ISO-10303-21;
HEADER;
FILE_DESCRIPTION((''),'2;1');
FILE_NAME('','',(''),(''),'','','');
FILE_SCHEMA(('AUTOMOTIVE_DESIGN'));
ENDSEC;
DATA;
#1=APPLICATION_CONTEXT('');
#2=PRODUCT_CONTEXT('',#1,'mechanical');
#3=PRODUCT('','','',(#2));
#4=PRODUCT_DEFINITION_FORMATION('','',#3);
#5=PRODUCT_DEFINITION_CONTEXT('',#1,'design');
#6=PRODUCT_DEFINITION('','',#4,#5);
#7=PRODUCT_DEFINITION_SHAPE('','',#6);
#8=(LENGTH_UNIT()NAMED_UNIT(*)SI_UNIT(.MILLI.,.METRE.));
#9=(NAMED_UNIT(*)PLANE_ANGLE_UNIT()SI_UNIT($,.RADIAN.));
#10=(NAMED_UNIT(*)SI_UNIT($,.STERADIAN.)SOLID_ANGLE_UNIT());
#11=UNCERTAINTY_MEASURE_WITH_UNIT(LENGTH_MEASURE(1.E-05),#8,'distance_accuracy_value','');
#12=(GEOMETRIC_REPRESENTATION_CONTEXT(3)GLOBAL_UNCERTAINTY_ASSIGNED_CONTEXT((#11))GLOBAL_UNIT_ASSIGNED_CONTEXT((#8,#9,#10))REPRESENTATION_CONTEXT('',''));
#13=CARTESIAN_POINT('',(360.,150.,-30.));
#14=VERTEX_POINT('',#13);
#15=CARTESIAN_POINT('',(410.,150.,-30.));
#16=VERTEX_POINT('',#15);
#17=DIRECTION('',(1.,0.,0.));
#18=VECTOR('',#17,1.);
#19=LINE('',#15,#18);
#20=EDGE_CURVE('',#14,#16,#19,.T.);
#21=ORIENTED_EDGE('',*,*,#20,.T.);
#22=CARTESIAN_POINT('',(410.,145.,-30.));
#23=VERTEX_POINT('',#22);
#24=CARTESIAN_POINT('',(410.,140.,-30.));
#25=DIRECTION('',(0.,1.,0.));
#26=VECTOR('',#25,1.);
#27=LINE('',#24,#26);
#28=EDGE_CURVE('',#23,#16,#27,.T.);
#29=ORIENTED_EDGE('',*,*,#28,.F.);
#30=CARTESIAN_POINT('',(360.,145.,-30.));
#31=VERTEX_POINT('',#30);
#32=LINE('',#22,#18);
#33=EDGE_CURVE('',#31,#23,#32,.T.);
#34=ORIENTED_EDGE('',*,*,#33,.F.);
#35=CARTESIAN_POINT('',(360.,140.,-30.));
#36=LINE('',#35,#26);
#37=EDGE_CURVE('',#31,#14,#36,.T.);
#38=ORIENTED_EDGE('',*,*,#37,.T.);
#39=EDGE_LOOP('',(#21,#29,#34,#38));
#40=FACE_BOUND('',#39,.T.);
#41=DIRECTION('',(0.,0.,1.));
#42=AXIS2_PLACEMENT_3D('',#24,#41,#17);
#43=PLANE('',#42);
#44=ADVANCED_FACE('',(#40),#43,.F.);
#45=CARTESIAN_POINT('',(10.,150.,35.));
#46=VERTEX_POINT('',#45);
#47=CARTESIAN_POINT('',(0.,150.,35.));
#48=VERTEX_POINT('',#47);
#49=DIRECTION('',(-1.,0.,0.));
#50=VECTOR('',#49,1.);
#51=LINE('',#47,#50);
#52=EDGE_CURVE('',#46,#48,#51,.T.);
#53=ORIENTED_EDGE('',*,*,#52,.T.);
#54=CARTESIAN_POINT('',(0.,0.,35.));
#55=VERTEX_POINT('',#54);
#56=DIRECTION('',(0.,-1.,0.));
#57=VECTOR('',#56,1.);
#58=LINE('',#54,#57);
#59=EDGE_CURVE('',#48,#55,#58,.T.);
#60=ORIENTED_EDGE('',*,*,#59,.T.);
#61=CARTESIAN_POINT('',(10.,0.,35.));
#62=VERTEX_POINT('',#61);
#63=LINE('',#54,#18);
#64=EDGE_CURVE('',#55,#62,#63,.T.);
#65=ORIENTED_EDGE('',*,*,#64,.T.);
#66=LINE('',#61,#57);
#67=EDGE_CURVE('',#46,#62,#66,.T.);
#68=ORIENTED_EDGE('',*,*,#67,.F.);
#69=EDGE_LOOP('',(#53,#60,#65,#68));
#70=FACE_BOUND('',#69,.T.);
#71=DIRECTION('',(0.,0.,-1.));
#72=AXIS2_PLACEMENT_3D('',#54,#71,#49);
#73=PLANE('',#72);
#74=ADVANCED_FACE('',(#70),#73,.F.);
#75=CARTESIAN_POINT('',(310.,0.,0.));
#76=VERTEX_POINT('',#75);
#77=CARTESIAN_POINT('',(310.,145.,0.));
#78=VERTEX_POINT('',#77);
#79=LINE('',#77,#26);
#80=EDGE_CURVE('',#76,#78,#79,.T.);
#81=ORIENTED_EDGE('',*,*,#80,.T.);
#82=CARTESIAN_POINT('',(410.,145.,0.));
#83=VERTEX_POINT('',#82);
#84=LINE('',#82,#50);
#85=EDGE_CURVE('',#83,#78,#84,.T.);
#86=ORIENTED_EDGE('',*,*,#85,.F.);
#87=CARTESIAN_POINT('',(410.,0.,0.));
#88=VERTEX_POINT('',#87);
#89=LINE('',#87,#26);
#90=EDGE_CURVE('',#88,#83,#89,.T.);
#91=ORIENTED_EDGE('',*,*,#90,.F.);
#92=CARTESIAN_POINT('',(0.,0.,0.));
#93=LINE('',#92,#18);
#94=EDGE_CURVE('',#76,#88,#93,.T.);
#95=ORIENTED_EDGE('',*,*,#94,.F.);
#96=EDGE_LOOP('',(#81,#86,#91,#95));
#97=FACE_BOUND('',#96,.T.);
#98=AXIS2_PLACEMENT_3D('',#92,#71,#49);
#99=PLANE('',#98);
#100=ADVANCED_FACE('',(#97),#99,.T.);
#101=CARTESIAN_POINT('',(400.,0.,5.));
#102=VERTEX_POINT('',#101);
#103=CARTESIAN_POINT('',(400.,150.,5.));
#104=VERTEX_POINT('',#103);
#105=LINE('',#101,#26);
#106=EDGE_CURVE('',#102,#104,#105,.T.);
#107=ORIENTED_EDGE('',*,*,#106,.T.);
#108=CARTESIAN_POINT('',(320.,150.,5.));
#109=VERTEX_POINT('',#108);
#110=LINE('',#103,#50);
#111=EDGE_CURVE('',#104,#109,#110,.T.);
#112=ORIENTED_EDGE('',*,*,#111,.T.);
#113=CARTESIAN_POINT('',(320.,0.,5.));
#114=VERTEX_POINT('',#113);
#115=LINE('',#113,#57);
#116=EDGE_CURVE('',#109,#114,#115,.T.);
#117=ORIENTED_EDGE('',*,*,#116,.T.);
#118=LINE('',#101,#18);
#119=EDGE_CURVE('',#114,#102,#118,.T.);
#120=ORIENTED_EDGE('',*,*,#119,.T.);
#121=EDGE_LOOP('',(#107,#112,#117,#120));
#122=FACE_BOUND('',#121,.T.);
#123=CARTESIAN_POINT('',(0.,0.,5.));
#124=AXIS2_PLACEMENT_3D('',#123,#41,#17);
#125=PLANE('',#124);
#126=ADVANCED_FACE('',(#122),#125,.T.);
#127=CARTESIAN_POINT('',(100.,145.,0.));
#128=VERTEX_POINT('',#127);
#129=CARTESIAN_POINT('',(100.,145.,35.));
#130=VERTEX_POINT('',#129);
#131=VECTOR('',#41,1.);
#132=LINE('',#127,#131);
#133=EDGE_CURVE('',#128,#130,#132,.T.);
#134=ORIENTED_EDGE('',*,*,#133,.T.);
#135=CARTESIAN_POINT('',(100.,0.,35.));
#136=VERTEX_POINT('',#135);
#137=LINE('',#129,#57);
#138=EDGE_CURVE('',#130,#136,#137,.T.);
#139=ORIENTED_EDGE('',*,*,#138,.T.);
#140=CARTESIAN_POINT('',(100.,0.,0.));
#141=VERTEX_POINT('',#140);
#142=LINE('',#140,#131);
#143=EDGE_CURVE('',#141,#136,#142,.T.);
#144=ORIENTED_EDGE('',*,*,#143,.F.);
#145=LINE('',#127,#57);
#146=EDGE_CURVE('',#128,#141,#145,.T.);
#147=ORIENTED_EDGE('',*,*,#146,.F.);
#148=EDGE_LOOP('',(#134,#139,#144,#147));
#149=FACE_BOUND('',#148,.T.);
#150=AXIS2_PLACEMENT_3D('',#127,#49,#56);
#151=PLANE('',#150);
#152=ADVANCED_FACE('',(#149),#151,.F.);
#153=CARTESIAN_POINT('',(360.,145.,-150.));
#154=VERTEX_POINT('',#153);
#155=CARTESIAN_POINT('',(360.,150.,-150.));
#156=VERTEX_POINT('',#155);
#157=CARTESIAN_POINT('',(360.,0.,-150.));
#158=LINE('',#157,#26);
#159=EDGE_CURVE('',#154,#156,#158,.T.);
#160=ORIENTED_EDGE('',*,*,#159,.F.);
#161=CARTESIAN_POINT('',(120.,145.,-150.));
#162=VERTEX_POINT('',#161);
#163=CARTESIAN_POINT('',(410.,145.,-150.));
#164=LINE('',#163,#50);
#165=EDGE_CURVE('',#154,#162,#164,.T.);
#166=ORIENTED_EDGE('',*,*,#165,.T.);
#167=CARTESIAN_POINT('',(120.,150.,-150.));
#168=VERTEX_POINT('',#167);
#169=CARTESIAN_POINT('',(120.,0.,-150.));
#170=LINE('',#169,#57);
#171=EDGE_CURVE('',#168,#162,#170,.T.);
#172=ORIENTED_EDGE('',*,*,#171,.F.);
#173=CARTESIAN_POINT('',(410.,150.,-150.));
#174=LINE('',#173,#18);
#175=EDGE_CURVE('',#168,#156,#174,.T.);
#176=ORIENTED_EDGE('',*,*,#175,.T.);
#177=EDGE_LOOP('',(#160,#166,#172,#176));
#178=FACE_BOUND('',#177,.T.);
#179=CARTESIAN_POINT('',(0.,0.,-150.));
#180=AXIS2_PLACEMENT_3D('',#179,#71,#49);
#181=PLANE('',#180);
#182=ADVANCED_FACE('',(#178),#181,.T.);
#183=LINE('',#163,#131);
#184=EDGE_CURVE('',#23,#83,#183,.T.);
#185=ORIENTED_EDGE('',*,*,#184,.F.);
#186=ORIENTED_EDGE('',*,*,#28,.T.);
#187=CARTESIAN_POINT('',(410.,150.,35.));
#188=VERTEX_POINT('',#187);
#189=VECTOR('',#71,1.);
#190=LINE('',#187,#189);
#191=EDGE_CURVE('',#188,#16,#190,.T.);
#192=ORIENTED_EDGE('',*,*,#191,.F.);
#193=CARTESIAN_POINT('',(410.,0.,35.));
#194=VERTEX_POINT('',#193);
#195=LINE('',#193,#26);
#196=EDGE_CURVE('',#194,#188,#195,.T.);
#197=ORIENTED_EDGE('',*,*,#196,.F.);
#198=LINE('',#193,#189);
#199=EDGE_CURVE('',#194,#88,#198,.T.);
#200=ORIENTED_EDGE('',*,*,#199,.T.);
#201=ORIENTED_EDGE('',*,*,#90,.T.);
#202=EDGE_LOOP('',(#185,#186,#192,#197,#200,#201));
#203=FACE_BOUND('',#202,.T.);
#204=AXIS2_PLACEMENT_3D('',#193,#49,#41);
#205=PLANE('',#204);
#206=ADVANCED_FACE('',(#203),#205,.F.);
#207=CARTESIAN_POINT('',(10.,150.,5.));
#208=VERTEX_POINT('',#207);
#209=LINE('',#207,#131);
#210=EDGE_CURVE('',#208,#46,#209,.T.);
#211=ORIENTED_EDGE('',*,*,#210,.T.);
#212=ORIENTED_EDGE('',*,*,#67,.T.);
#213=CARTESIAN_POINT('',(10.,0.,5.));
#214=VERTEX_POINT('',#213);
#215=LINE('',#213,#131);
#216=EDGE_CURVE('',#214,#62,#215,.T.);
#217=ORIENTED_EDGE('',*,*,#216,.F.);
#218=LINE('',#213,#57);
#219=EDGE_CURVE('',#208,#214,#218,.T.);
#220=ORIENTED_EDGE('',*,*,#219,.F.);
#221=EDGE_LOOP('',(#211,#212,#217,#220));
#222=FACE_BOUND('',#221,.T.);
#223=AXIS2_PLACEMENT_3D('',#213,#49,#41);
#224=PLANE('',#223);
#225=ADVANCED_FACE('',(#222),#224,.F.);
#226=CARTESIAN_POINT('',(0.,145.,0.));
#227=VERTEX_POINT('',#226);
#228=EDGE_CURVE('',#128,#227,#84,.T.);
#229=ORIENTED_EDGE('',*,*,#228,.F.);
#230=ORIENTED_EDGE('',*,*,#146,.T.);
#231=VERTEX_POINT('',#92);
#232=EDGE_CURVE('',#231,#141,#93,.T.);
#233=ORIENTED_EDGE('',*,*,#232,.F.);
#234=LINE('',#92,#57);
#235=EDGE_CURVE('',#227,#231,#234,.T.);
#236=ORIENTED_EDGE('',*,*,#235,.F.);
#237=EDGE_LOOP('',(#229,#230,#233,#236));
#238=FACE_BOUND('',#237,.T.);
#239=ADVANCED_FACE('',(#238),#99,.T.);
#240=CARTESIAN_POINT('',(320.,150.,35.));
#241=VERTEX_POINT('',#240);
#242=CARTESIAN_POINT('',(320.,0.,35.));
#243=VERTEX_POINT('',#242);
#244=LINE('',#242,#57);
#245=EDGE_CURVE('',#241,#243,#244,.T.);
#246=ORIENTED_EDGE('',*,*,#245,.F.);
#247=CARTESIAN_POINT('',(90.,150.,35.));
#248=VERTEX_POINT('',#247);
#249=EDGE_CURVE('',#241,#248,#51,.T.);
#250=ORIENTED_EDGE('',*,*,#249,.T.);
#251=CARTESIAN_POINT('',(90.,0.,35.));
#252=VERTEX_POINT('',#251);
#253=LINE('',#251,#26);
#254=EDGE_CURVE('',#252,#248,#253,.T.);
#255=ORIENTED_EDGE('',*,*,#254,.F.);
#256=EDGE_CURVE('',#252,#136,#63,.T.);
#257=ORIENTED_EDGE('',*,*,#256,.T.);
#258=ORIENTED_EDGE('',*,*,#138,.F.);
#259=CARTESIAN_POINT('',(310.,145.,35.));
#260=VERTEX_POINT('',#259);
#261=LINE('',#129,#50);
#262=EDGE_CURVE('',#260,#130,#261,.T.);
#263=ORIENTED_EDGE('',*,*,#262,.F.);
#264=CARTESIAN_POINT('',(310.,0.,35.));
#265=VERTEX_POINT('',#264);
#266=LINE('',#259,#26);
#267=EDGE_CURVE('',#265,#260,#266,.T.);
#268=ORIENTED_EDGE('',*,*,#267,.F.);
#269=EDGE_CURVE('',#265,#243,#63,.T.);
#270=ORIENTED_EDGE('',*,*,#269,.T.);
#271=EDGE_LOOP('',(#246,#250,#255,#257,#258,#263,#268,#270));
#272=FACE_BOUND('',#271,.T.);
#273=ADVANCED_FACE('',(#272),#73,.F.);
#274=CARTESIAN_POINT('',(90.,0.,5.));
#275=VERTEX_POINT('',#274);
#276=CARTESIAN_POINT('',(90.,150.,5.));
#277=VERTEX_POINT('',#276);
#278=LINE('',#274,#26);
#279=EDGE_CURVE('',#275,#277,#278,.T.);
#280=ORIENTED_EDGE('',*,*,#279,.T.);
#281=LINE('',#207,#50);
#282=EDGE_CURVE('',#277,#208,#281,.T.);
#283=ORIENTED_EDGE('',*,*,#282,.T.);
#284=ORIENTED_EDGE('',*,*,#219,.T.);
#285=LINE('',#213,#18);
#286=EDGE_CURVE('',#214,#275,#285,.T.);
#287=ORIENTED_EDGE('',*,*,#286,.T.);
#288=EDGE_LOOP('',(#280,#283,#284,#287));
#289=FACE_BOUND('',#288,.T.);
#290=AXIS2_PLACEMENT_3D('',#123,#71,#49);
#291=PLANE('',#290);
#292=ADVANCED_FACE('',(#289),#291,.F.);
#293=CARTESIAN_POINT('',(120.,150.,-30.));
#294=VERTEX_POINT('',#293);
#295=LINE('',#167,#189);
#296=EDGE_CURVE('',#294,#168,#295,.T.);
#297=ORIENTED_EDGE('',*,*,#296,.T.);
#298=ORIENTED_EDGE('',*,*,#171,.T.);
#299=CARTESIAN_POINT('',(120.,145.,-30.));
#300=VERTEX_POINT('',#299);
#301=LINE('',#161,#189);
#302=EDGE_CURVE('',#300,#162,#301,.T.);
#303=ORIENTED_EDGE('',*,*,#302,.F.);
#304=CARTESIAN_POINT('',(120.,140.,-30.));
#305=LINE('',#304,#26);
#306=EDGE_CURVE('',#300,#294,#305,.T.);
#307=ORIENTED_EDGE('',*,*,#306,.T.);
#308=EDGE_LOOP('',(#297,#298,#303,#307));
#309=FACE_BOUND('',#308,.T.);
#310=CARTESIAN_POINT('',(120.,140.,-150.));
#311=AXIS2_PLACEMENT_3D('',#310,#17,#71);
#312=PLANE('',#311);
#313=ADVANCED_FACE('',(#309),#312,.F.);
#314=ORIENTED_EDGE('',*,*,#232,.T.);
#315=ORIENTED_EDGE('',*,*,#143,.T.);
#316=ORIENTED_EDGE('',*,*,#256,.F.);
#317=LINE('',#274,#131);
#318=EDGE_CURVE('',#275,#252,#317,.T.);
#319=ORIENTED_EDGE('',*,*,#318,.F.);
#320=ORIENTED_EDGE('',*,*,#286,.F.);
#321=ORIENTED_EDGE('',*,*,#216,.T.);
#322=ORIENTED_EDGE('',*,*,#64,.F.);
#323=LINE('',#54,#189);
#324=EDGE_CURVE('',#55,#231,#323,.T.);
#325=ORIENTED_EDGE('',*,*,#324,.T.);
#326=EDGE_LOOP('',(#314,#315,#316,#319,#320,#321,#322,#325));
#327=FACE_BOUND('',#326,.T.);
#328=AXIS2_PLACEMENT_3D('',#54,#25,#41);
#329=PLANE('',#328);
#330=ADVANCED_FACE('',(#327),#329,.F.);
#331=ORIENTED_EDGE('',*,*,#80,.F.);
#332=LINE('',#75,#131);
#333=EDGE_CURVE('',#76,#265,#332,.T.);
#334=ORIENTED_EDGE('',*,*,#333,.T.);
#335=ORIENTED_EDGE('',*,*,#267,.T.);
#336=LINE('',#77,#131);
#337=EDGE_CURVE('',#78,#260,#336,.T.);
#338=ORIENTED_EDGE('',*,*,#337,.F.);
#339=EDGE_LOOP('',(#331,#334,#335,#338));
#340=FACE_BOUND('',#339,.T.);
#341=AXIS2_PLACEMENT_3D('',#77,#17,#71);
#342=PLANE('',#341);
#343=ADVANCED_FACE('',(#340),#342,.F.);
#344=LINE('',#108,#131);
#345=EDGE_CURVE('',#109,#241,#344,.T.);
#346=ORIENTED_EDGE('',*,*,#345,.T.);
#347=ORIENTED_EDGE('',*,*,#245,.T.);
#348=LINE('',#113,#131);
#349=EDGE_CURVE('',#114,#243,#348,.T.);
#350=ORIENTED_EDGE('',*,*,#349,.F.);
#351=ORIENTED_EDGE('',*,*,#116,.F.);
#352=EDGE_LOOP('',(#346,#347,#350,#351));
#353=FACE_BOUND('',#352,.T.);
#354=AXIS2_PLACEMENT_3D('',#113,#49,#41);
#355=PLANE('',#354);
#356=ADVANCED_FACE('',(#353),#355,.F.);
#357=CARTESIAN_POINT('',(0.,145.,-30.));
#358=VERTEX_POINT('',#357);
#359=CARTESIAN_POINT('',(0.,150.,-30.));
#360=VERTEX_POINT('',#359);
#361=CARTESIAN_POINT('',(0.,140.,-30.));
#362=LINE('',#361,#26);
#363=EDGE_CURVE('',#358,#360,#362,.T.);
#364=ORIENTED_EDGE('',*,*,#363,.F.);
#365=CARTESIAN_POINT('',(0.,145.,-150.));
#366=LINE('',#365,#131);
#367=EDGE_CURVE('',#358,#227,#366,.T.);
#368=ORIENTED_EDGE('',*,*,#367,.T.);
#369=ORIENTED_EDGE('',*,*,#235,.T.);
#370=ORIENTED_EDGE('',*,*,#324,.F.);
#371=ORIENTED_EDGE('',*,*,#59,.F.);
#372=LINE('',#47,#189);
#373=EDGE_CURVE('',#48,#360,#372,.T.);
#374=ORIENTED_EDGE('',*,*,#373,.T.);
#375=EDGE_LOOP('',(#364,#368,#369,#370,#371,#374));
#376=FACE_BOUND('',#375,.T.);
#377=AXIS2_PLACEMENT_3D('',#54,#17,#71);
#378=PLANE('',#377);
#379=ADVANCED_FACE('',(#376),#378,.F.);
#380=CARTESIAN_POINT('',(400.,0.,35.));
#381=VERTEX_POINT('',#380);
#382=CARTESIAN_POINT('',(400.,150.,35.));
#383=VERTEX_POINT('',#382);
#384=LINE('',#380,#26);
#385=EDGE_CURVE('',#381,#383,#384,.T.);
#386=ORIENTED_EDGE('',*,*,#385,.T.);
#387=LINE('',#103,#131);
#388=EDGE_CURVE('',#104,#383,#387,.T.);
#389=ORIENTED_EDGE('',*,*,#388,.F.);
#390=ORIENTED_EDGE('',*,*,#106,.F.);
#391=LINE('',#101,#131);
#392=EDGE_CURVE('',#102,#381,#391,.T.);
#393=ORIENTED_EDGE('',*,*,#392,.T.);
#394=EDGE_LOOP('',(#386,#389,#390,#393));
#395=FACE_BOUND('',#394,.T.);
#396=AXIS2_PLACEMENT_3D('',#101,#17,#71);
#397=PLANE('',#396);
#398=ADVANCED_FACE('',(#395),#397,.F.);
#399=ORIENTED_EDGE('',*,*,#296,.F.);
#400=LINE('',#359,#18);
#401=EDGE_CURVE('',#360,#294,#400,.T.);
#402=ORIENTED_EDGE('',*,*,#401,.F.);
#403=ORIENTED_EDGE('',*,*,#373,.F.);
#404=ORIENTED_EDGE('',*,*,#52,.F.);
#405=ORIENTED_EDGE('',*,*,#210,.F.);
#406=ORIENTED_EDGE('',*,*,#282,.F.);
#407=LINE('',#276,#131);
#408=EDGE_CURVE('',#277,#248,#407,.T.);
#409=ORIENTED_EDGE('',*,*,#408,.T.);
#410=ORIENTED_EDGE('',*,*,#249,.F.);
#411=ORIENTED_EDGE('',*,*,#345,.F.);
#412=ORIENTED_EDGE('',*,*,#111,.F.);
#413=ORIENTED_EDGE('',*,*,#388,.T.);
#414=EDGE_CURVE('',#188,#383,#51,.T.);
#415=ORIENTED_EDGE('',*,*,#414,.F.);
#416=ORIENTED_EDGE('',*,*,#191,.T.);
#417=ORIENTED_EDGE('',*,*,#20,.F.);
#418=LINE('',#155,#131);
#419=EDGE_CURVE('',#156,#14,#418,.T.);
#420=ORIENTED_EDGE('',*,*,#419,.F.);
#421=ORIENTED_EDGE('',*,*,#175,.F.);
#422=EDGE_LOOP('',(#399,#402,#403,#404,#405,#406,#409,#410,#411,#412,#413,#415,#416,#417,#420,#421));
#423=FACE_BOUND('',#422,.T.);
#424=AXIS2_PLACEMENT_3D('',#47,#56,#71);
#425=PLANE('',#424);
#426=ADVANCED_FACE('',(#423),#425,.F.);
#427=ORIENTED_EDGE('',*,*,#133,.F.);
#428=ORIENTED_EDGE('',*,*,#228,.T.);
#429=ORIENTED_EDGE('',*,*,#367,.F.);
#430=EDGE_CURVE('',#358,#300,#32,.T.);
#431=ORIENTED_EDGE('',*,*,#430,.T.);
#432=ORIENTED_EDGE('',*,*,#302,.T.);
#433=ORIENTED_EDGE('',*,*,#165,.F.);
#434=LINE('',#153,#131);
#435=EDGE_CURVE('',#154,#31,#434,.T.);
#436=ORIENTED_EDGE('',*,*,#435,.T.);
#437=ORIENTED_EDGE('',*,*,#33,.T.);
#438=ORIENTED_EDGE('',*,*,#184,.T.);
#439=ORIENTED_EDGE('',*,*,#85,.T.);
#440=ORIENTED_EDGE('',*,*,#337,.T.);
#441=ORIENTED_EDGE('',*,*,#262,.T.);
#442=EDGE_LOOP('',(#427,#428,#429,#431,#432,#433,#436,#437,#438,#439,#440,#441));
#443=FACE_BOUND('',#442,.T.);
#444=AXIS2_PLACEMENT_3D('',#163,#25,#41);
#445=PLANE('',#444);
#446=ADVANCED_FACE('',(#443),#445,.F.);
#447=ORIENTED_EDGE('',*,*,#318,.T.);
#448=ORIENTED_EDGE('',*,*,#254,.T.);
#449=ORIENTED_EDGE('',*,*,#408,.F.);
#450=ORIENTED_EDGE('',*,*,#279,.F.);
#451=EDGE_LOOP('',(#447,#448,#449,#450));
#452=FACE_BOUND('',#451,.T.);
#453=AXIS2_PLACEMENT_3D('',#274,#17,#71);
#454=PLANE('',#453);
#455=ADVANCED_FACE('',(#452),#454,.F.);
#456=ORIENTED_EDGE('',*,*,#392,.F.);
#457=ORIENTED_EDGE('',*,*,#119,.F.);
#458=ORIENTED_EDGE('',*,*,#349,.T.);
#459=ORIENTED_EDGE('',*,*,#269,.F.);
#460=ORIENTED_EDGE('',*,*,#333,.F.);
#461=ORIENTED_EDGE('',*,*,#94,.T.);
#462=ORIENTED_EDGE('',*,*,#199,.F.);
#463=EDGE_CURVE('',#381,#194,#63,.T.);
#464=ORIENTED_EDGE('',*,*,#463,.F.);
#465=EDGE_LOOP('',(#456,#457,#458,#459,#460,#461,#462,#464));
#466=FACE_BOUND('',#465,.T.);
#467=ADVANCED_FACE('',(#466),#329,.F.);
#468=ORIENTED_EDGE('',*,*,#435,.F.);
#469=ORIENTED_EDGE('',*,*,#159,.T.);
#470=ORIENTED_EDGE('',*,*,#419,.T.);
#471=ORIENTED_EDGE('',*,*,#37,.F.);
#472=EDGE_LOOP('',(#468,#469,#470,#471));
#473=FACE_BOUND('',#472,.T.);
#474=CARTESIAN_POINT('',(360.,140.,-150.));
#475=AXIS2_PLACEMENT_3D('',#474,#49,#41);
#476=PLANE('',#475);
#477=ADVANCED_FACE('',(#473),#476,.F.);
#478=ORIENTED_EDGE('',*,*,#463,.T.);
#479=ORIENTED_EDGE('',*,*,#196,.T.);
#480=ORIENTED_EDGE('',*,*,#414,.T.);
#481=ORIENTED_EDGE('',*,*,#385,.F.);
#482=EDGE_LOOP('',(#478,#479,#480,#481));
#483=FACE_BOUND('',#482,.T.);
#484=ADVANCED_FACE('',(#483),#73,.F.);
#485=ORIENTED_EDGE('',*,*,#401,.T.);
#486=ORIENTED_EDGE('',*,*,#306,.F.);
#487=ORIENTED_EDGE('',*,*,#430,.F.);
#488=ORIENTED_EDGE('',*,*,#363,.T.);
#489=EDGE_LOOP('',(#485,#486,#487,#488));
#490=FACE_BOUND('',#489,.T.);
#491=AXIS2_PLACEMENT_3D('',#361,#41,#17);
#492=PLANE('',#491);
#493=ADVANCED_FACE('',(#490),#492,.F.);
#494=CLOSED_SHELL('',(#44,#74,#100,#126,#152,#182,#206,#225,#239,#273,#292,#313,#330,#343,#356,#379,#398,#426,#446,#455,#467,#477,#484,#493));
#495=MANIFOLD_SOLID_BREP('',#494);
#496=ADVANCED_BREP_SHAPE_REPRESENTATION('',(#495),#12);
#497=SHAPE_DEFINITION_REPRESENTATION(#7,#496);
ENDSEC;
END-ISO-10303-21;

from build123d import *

# Parameters (mm, degrees)
SKETCH1_W           = 410
SKETCH1_H           = 150
BOSS_EXTRUDE1_DEPTH = 35
SKETCH2_W           = 410
SKETCH2_H           = 5
BOSS_EXTRUDE2_DEPTH = 150
SKETCH3_W           = 80
SKETCH3_H           = 150
CUT_EXTRUDE1_DEPTH  = 30
SKETCH4_W           = 210
SKETCH4_H           = 145
CUT_EXTRUDE2_DEPTH  = 35
SKETCH5_W           = 120
SKETCH5_H           = 120
CUT_EXTRUDE3_DEPTH  = 10
SKETCH6_W           = 50
SKETCH6_H           = 120
CUT_EXTRUDE4_DEPTH  = 10


with BuildPart() as part:
    # Sketch1 → Boss-Extrude1 (new body)
    with BuildSketch(Plane.XY):
        with Locations((205, 75)):
            Rectangle(SKETCH1_W, SKETCH1_H)
    extrude(amount=BOSS_EXTRUDE1_DEPTH)

    # Sketch2 → Boss-Extrude2 (add)
    with BuildSketch(Plane(origin=(0, 0, 0), x_dir=(-1, 0, 0), z_dir=(0, 0, -1))):
        with Locations((-205, 147.5)):
            Rectangle(SKETCH2_W, SKETCH2_H)
    extrude(amount=BOSS_EXTRUDE2_DEPTH)

    # Sketch3 → Cut-Extrude1 (cut)
    with BuildSketch(Plane.XY.offset(35)):
        with Locations((50, 75)):
            Rectangle(SKETCH3_W, SKETCH3_H)
        with Locations((360, 75)):
            Rectangle(SKETCH3_W, SKETCH3_H)
    extrude(amount=-CUT_EXTRUDE1_DEPTH, mode=Mode.SUBTRACT)

    # Sketch4 → Cut-Extrude2 (cut)
    with BuildSketch(Plane.XY.offset(35)):
        with Locations((205, 72.5)):
            Rectangle(SKETCH4_W, SKETCH4_H)
    extrude(amount=-CUT_EXTRUDE2_DEPTH, mode=Mode.SUBTRACT)

    # Sketch5 → Cut-Extrude3 (cut)
    with BuildSketch(Plane(origin=(0, 150, 0), x_dir=(1, 0, 0), z_dir=(0, 1, 0))):
        with Locations((60, 90)):
            Rectangle(SKETCH5_W, SKETCH5_H)
    extrude(amount=-CUT_EXTRUDE3_DEPTH, mode=Mode.SUBTRACT)

    # Sketch6 → Cut-Extrude4 (cut)
    with BuildSketch(Plane(origin=(0, 150, 0), x_dir=(1, 0, 0), z_dir=(0, 1, 0))):
        with Locations((385, 90)):
            Rectangle(SKETCH6_W, SKETCH6_H)
    extrude(amount=-CUT_EXTRUDE4_DEPTH, mode=Mode.SUBTRACT)


solid = part.part
